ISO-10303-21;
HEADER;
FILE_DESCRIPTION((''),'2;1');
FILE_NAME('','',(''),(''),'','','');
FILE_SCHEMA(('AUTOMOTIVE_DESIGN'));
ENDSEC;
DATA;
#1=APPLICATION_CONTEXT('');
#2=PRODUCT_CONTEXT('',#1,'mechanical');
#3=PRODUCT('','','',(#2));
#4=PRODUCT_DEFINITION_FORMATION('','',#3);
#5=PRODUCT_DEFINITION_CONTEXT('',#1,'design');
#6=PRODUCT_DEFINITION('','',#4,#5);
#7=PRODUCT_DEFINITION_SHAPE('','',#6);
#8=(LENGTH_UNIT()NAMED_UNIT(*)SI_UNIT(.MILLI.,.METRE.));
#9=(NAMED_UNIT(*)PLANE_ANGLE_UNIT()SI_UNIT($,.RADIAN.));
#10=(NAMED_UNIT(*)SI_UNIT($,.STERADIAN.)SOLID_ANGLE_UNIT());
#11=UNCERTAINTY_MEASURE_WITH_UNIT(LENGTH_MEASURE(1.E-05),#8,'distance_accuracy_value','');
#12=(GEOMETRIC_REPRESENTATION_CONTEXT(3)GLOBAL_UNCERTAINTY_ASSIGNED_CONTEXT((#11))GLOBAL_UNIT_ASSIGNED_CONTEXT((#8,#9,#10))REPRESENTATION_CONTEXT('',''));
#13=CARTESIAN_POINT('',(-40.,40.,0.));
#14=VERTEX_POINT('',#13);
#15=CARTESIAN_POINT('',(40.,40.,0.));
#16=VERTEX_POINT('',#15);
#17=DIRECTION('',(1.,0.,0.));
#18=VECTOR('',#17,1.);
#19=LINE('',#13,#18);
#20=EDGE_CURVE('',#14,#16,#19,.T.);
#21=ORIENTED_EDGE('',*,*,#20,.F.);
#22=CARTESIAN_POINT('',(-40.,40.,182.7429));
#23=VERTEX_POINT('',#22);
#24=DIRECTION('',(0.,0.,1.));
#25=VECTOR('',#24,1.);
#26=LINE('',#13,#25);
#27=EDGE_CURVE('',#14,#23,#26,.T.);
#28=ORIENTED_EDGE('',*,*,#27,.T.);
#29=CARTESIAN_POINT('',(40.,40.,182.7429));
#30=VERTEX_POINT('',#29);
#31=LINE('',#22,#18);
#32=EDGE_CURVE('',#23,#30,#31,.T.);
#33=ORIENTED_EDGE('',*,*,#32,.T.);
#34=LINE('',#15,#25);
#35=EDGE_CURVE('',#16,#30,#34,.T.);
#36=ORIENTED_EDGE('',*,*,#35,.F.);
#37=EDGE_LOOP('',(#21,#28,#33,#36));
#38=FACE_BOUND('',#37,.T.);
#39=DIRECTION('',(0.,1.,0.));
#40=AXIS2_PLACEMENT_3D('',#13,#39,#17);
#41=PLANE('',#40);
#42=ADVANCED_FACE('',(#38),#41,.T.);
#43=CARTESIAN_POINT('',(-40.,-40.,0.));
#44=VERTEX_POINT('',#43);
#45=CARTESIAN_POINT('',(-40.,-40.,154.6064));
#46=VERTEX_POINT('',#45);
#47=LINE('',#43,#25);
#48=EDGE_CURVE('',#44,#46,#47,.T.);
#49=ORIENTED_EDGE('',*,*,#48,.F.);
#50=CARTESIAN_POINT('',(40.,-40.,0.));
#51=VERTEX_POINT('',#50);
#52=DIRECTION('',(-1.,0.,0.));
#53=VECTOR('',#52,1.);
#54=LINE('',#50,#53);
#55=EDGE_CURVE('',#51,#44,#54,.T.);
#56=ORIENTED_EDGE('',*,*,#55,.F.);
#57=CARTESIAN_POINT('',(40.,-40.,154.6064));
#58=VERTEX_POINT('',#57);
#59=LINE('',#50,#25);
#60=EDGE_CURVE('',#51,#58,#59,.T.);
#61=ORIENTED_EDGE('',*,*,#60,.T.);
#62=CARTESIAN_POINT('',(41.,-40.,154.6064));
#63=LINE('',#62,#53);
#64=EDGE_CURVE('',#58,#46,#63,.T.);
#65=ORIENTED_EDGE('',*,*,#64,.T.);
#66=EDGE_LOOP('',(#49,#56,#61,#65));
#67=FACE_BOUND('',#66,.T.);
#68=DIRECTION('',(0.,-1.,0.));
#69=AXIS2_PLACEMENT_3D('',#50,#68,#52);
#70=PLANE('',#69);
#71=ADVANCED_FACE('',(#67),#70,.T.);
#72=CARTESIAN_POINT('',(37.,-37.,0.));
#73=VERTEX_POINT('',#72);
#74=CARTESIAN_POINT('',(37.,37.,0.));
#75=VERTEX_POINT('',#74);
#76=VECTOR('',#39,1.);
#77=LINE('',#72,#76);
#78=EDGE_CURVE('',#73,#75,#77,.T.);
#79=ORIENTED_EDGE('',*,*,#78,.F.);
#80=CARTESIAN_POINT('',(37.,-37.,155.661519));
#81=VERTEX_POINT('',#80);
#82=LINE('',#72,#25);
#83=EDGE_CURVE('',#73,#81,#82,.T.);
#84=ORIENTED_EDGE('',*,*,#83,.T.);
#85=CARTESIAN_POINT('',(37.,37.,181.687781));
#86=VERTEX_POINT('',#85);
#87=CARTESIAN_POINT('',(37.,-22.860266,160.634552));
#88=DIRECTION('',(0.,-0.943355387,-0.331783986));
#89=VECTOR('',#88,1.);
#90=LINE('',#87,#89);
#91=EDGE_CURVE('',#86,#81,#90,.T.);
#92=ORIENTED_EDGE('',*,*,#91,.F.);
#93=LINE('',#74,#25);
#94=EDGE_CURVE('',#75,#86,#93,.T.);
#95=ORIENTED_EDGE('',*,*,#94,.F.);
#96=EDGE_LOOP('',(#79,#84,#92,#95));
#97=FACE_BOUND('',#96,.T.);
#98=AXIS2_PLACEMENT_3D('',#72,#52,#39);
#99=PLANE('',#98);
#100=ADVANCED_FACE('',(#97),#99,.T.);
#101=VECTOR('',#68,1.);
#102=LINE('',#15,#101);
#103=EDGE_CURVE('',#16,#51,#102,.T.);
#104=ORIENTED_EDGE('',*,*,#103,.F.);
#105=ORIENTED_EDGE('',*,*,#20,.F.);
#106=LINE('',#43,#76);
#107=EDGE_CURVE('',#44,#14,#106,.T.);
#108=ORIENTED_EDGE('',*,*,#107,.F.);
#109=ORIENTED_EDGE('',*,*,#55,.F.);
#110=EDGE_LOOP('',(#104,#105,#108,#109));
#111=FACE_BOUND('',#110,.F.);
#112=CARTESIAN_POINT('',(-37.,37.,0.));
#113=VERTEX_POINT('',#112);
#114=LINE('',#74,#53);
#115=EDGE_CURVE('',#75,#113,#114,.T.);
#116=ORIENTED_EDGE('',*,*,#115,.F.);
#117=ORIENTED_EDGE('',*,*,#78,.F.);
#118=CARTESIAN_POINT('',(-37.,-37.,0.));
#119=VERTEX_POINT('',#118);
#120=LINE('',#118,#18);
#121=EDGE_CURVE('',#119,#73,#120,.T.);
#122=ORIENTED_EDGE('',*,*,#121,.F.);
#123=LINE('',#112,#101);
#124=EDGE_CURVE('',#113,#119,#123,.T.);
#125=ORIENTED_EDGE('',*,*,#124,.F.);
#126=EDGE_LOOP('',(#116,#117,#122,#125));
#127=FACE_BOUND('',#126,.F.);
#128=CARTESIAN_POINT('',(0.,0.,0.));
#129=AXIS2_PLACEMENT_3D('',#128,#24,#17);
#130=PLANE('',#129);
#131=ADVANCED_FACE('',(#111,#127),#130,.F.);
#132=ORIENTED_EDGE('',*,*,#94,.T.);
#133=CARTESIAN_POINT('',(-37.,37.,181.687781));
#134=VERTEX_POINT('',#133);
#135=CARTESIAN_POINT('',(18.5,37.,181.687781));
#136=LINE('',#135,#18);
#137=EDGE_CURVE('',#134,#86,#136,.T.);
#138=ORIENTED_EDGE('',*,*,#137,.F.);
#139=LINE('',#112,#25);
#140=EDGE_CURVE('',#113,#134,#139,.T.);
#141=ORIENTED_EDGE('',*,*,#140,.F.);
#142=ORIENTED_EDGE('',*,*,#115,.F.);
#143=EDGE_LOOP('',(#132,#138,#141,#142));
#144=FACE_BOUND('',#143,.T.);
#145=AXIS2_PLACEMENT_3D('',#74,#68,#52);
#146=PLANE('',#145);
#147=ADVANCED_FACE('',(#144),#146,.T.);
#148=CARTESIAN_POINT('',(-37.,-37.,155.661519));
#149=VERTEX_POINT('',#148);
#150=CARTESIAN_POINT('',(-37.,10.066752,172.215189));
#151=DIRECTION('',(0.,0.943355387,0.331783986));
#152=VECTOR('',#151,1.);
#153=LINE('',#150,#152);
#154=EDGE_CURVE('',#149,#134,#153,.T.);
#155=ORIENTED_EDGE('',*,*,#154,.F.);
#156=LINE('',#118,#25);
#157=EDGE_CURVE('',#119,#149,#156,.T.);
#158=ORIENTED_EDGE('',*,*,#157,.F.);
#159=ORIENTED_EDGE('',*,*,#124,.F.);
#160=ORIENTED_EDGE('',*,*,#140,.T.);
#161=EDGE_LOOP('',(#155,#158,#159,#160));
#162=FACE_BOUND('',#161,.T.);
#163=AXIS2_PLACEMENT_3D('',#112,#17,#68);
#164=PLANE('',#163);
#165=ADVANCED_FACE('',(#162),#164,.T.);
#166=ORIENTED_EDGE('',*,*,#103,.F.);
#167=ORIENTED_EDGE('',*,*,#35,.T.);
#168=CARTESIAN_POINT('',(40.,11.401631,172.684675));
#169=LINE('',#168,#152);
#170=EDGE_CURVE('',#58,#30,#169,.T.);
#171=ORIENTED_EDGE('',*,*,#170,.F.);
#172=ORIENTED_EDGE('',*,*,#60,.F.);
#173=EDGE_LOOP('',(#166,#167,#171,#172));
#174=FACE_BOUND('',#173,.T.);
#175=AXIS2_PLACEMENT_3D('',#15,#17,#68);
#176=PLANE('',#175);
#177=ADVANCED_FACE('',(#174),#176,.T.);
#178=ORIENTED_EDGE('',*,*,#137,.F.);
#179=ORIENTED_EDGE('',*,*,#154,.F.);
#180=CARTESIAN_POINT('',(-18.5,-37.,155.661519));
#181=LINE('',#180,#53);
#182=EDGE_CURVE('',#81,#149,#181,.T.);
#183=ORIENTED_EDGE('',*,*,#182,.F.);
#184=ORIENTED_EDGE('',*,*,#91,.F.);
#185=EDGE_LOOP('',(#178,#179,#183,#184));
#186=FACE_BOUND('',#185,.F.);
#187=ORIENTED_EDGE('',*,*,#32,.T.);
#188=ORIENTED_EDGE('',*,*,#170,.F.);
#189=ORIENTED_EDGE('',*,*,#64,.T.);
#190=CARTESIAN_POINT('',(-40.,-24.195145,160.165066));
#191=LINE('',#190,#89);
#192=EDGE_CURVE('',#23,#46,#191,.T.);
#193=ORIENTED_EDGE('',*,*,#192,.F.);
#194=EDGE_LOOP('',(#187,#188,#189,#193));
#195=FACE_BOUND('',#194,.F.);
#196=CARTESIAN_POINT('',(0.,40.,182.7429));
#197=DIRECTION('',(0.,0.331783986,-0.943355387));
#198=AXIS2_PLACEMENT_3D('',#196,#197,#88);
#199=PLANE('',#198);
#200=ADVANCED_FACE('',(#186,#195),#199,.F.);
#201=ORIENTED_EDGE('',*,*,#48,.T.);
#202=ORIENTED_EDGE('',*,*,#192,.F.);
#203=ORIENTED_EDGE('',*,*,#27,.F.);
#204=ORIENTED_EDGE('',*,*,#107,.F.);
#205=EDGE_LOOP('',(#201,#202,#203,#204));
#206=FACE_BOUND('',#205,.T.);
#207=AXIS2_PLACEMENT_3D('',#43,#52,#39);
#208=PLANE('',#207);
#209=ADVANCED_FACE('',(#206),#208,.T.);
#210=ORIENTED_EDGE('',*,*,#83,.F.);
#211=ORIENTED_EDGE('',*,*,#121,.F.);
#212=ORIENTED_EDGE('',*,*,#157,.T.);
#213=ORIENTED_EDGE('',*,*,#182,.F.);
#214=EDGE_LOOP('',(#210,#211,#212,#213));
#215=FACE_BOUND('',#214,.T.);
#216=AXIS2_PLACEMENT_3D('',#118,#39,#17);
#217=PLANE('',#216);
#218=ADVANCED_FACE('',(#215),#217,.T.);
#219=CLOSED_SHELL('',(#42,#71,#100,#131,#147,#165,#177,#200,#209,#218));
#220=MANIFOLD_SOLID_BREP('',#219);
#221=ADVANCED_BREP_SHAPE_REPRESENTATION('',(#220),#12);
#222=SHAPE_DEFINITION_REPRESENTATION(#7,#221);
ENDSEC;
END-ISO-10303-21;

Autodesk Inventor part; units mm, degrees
ref_plane "YZ Plane" through (0, 0, 0) normal (1, 0, 0) x (0, 1, 0)
ref_plane "XZ Plane" through (0, 0, 0) normal (0, 1, 0) x (-1, 0, 0)
ref_plane "XY Plane" through (0, 0, 0) normal (0, 0, 1) x (1, 0, 0)
sketch "Sketch1" plane through (0, 0, 0) normal (0, 0, 1) x (1, 0, 0)
  line L0 (40, -40) -> (-40, -40)
  line L1 (-40, -40) -> (-40, 40)
  line L2 (-40, 40) -> (40, 40)
  line L3 (40, 40) -> (40, -40)
  line L4 (40, -40) -> (-40, 40) construction
  line L5 (-40, -40) -> (40, 40) construction
  line L6 (-37, -37) -> (37, -37)
  line L7 (37, -37) -> (37, 37)
  line L8 (37, 37) -> (-37, 37)
  line L9 (-37, 37) -> (-37, -37)
  point P0 (0, 0)
  dimension "d0" = 80
  dimension "d1" = 80
  dimension "d2" = 3
extrude "Extrusion1" add sketch "Sketch1" along normal blind 182.7429
sketch "Sketch2" plane through (0, 0, 0) normal (1, 0, 0) x (0, 1, 0)
  line L0 (40, 0) -> (-40, 0) projected
  line L1 (-40, 0) -> (-40, 182.7429) projected
  line L2 (40, 182.7429) -> (-40, 182.7429) projected
  line L3 (40, 0) -> (40, 182.7429) projected
  line L4 (40, 182.7429) -> (-40, 154.6064)
  point P0 (0, 0)
  dimension "d5" = 19.377
extrude "Extrusion2" cut sketch "Sketch2" along normal through all both and the other way through all contours L4 L1 L2
equation "\"d3\" = Lenth"
equation "\"d5\" = Leg_cut_angle"
equation "\"Lenth\" = Leg_hight"
equation "\"Leg_cut_angle\" = 19.377058deg"
equation "\"Leg_hight\" = 182.74288"
properties part number "TZS 1284 leg tube"
